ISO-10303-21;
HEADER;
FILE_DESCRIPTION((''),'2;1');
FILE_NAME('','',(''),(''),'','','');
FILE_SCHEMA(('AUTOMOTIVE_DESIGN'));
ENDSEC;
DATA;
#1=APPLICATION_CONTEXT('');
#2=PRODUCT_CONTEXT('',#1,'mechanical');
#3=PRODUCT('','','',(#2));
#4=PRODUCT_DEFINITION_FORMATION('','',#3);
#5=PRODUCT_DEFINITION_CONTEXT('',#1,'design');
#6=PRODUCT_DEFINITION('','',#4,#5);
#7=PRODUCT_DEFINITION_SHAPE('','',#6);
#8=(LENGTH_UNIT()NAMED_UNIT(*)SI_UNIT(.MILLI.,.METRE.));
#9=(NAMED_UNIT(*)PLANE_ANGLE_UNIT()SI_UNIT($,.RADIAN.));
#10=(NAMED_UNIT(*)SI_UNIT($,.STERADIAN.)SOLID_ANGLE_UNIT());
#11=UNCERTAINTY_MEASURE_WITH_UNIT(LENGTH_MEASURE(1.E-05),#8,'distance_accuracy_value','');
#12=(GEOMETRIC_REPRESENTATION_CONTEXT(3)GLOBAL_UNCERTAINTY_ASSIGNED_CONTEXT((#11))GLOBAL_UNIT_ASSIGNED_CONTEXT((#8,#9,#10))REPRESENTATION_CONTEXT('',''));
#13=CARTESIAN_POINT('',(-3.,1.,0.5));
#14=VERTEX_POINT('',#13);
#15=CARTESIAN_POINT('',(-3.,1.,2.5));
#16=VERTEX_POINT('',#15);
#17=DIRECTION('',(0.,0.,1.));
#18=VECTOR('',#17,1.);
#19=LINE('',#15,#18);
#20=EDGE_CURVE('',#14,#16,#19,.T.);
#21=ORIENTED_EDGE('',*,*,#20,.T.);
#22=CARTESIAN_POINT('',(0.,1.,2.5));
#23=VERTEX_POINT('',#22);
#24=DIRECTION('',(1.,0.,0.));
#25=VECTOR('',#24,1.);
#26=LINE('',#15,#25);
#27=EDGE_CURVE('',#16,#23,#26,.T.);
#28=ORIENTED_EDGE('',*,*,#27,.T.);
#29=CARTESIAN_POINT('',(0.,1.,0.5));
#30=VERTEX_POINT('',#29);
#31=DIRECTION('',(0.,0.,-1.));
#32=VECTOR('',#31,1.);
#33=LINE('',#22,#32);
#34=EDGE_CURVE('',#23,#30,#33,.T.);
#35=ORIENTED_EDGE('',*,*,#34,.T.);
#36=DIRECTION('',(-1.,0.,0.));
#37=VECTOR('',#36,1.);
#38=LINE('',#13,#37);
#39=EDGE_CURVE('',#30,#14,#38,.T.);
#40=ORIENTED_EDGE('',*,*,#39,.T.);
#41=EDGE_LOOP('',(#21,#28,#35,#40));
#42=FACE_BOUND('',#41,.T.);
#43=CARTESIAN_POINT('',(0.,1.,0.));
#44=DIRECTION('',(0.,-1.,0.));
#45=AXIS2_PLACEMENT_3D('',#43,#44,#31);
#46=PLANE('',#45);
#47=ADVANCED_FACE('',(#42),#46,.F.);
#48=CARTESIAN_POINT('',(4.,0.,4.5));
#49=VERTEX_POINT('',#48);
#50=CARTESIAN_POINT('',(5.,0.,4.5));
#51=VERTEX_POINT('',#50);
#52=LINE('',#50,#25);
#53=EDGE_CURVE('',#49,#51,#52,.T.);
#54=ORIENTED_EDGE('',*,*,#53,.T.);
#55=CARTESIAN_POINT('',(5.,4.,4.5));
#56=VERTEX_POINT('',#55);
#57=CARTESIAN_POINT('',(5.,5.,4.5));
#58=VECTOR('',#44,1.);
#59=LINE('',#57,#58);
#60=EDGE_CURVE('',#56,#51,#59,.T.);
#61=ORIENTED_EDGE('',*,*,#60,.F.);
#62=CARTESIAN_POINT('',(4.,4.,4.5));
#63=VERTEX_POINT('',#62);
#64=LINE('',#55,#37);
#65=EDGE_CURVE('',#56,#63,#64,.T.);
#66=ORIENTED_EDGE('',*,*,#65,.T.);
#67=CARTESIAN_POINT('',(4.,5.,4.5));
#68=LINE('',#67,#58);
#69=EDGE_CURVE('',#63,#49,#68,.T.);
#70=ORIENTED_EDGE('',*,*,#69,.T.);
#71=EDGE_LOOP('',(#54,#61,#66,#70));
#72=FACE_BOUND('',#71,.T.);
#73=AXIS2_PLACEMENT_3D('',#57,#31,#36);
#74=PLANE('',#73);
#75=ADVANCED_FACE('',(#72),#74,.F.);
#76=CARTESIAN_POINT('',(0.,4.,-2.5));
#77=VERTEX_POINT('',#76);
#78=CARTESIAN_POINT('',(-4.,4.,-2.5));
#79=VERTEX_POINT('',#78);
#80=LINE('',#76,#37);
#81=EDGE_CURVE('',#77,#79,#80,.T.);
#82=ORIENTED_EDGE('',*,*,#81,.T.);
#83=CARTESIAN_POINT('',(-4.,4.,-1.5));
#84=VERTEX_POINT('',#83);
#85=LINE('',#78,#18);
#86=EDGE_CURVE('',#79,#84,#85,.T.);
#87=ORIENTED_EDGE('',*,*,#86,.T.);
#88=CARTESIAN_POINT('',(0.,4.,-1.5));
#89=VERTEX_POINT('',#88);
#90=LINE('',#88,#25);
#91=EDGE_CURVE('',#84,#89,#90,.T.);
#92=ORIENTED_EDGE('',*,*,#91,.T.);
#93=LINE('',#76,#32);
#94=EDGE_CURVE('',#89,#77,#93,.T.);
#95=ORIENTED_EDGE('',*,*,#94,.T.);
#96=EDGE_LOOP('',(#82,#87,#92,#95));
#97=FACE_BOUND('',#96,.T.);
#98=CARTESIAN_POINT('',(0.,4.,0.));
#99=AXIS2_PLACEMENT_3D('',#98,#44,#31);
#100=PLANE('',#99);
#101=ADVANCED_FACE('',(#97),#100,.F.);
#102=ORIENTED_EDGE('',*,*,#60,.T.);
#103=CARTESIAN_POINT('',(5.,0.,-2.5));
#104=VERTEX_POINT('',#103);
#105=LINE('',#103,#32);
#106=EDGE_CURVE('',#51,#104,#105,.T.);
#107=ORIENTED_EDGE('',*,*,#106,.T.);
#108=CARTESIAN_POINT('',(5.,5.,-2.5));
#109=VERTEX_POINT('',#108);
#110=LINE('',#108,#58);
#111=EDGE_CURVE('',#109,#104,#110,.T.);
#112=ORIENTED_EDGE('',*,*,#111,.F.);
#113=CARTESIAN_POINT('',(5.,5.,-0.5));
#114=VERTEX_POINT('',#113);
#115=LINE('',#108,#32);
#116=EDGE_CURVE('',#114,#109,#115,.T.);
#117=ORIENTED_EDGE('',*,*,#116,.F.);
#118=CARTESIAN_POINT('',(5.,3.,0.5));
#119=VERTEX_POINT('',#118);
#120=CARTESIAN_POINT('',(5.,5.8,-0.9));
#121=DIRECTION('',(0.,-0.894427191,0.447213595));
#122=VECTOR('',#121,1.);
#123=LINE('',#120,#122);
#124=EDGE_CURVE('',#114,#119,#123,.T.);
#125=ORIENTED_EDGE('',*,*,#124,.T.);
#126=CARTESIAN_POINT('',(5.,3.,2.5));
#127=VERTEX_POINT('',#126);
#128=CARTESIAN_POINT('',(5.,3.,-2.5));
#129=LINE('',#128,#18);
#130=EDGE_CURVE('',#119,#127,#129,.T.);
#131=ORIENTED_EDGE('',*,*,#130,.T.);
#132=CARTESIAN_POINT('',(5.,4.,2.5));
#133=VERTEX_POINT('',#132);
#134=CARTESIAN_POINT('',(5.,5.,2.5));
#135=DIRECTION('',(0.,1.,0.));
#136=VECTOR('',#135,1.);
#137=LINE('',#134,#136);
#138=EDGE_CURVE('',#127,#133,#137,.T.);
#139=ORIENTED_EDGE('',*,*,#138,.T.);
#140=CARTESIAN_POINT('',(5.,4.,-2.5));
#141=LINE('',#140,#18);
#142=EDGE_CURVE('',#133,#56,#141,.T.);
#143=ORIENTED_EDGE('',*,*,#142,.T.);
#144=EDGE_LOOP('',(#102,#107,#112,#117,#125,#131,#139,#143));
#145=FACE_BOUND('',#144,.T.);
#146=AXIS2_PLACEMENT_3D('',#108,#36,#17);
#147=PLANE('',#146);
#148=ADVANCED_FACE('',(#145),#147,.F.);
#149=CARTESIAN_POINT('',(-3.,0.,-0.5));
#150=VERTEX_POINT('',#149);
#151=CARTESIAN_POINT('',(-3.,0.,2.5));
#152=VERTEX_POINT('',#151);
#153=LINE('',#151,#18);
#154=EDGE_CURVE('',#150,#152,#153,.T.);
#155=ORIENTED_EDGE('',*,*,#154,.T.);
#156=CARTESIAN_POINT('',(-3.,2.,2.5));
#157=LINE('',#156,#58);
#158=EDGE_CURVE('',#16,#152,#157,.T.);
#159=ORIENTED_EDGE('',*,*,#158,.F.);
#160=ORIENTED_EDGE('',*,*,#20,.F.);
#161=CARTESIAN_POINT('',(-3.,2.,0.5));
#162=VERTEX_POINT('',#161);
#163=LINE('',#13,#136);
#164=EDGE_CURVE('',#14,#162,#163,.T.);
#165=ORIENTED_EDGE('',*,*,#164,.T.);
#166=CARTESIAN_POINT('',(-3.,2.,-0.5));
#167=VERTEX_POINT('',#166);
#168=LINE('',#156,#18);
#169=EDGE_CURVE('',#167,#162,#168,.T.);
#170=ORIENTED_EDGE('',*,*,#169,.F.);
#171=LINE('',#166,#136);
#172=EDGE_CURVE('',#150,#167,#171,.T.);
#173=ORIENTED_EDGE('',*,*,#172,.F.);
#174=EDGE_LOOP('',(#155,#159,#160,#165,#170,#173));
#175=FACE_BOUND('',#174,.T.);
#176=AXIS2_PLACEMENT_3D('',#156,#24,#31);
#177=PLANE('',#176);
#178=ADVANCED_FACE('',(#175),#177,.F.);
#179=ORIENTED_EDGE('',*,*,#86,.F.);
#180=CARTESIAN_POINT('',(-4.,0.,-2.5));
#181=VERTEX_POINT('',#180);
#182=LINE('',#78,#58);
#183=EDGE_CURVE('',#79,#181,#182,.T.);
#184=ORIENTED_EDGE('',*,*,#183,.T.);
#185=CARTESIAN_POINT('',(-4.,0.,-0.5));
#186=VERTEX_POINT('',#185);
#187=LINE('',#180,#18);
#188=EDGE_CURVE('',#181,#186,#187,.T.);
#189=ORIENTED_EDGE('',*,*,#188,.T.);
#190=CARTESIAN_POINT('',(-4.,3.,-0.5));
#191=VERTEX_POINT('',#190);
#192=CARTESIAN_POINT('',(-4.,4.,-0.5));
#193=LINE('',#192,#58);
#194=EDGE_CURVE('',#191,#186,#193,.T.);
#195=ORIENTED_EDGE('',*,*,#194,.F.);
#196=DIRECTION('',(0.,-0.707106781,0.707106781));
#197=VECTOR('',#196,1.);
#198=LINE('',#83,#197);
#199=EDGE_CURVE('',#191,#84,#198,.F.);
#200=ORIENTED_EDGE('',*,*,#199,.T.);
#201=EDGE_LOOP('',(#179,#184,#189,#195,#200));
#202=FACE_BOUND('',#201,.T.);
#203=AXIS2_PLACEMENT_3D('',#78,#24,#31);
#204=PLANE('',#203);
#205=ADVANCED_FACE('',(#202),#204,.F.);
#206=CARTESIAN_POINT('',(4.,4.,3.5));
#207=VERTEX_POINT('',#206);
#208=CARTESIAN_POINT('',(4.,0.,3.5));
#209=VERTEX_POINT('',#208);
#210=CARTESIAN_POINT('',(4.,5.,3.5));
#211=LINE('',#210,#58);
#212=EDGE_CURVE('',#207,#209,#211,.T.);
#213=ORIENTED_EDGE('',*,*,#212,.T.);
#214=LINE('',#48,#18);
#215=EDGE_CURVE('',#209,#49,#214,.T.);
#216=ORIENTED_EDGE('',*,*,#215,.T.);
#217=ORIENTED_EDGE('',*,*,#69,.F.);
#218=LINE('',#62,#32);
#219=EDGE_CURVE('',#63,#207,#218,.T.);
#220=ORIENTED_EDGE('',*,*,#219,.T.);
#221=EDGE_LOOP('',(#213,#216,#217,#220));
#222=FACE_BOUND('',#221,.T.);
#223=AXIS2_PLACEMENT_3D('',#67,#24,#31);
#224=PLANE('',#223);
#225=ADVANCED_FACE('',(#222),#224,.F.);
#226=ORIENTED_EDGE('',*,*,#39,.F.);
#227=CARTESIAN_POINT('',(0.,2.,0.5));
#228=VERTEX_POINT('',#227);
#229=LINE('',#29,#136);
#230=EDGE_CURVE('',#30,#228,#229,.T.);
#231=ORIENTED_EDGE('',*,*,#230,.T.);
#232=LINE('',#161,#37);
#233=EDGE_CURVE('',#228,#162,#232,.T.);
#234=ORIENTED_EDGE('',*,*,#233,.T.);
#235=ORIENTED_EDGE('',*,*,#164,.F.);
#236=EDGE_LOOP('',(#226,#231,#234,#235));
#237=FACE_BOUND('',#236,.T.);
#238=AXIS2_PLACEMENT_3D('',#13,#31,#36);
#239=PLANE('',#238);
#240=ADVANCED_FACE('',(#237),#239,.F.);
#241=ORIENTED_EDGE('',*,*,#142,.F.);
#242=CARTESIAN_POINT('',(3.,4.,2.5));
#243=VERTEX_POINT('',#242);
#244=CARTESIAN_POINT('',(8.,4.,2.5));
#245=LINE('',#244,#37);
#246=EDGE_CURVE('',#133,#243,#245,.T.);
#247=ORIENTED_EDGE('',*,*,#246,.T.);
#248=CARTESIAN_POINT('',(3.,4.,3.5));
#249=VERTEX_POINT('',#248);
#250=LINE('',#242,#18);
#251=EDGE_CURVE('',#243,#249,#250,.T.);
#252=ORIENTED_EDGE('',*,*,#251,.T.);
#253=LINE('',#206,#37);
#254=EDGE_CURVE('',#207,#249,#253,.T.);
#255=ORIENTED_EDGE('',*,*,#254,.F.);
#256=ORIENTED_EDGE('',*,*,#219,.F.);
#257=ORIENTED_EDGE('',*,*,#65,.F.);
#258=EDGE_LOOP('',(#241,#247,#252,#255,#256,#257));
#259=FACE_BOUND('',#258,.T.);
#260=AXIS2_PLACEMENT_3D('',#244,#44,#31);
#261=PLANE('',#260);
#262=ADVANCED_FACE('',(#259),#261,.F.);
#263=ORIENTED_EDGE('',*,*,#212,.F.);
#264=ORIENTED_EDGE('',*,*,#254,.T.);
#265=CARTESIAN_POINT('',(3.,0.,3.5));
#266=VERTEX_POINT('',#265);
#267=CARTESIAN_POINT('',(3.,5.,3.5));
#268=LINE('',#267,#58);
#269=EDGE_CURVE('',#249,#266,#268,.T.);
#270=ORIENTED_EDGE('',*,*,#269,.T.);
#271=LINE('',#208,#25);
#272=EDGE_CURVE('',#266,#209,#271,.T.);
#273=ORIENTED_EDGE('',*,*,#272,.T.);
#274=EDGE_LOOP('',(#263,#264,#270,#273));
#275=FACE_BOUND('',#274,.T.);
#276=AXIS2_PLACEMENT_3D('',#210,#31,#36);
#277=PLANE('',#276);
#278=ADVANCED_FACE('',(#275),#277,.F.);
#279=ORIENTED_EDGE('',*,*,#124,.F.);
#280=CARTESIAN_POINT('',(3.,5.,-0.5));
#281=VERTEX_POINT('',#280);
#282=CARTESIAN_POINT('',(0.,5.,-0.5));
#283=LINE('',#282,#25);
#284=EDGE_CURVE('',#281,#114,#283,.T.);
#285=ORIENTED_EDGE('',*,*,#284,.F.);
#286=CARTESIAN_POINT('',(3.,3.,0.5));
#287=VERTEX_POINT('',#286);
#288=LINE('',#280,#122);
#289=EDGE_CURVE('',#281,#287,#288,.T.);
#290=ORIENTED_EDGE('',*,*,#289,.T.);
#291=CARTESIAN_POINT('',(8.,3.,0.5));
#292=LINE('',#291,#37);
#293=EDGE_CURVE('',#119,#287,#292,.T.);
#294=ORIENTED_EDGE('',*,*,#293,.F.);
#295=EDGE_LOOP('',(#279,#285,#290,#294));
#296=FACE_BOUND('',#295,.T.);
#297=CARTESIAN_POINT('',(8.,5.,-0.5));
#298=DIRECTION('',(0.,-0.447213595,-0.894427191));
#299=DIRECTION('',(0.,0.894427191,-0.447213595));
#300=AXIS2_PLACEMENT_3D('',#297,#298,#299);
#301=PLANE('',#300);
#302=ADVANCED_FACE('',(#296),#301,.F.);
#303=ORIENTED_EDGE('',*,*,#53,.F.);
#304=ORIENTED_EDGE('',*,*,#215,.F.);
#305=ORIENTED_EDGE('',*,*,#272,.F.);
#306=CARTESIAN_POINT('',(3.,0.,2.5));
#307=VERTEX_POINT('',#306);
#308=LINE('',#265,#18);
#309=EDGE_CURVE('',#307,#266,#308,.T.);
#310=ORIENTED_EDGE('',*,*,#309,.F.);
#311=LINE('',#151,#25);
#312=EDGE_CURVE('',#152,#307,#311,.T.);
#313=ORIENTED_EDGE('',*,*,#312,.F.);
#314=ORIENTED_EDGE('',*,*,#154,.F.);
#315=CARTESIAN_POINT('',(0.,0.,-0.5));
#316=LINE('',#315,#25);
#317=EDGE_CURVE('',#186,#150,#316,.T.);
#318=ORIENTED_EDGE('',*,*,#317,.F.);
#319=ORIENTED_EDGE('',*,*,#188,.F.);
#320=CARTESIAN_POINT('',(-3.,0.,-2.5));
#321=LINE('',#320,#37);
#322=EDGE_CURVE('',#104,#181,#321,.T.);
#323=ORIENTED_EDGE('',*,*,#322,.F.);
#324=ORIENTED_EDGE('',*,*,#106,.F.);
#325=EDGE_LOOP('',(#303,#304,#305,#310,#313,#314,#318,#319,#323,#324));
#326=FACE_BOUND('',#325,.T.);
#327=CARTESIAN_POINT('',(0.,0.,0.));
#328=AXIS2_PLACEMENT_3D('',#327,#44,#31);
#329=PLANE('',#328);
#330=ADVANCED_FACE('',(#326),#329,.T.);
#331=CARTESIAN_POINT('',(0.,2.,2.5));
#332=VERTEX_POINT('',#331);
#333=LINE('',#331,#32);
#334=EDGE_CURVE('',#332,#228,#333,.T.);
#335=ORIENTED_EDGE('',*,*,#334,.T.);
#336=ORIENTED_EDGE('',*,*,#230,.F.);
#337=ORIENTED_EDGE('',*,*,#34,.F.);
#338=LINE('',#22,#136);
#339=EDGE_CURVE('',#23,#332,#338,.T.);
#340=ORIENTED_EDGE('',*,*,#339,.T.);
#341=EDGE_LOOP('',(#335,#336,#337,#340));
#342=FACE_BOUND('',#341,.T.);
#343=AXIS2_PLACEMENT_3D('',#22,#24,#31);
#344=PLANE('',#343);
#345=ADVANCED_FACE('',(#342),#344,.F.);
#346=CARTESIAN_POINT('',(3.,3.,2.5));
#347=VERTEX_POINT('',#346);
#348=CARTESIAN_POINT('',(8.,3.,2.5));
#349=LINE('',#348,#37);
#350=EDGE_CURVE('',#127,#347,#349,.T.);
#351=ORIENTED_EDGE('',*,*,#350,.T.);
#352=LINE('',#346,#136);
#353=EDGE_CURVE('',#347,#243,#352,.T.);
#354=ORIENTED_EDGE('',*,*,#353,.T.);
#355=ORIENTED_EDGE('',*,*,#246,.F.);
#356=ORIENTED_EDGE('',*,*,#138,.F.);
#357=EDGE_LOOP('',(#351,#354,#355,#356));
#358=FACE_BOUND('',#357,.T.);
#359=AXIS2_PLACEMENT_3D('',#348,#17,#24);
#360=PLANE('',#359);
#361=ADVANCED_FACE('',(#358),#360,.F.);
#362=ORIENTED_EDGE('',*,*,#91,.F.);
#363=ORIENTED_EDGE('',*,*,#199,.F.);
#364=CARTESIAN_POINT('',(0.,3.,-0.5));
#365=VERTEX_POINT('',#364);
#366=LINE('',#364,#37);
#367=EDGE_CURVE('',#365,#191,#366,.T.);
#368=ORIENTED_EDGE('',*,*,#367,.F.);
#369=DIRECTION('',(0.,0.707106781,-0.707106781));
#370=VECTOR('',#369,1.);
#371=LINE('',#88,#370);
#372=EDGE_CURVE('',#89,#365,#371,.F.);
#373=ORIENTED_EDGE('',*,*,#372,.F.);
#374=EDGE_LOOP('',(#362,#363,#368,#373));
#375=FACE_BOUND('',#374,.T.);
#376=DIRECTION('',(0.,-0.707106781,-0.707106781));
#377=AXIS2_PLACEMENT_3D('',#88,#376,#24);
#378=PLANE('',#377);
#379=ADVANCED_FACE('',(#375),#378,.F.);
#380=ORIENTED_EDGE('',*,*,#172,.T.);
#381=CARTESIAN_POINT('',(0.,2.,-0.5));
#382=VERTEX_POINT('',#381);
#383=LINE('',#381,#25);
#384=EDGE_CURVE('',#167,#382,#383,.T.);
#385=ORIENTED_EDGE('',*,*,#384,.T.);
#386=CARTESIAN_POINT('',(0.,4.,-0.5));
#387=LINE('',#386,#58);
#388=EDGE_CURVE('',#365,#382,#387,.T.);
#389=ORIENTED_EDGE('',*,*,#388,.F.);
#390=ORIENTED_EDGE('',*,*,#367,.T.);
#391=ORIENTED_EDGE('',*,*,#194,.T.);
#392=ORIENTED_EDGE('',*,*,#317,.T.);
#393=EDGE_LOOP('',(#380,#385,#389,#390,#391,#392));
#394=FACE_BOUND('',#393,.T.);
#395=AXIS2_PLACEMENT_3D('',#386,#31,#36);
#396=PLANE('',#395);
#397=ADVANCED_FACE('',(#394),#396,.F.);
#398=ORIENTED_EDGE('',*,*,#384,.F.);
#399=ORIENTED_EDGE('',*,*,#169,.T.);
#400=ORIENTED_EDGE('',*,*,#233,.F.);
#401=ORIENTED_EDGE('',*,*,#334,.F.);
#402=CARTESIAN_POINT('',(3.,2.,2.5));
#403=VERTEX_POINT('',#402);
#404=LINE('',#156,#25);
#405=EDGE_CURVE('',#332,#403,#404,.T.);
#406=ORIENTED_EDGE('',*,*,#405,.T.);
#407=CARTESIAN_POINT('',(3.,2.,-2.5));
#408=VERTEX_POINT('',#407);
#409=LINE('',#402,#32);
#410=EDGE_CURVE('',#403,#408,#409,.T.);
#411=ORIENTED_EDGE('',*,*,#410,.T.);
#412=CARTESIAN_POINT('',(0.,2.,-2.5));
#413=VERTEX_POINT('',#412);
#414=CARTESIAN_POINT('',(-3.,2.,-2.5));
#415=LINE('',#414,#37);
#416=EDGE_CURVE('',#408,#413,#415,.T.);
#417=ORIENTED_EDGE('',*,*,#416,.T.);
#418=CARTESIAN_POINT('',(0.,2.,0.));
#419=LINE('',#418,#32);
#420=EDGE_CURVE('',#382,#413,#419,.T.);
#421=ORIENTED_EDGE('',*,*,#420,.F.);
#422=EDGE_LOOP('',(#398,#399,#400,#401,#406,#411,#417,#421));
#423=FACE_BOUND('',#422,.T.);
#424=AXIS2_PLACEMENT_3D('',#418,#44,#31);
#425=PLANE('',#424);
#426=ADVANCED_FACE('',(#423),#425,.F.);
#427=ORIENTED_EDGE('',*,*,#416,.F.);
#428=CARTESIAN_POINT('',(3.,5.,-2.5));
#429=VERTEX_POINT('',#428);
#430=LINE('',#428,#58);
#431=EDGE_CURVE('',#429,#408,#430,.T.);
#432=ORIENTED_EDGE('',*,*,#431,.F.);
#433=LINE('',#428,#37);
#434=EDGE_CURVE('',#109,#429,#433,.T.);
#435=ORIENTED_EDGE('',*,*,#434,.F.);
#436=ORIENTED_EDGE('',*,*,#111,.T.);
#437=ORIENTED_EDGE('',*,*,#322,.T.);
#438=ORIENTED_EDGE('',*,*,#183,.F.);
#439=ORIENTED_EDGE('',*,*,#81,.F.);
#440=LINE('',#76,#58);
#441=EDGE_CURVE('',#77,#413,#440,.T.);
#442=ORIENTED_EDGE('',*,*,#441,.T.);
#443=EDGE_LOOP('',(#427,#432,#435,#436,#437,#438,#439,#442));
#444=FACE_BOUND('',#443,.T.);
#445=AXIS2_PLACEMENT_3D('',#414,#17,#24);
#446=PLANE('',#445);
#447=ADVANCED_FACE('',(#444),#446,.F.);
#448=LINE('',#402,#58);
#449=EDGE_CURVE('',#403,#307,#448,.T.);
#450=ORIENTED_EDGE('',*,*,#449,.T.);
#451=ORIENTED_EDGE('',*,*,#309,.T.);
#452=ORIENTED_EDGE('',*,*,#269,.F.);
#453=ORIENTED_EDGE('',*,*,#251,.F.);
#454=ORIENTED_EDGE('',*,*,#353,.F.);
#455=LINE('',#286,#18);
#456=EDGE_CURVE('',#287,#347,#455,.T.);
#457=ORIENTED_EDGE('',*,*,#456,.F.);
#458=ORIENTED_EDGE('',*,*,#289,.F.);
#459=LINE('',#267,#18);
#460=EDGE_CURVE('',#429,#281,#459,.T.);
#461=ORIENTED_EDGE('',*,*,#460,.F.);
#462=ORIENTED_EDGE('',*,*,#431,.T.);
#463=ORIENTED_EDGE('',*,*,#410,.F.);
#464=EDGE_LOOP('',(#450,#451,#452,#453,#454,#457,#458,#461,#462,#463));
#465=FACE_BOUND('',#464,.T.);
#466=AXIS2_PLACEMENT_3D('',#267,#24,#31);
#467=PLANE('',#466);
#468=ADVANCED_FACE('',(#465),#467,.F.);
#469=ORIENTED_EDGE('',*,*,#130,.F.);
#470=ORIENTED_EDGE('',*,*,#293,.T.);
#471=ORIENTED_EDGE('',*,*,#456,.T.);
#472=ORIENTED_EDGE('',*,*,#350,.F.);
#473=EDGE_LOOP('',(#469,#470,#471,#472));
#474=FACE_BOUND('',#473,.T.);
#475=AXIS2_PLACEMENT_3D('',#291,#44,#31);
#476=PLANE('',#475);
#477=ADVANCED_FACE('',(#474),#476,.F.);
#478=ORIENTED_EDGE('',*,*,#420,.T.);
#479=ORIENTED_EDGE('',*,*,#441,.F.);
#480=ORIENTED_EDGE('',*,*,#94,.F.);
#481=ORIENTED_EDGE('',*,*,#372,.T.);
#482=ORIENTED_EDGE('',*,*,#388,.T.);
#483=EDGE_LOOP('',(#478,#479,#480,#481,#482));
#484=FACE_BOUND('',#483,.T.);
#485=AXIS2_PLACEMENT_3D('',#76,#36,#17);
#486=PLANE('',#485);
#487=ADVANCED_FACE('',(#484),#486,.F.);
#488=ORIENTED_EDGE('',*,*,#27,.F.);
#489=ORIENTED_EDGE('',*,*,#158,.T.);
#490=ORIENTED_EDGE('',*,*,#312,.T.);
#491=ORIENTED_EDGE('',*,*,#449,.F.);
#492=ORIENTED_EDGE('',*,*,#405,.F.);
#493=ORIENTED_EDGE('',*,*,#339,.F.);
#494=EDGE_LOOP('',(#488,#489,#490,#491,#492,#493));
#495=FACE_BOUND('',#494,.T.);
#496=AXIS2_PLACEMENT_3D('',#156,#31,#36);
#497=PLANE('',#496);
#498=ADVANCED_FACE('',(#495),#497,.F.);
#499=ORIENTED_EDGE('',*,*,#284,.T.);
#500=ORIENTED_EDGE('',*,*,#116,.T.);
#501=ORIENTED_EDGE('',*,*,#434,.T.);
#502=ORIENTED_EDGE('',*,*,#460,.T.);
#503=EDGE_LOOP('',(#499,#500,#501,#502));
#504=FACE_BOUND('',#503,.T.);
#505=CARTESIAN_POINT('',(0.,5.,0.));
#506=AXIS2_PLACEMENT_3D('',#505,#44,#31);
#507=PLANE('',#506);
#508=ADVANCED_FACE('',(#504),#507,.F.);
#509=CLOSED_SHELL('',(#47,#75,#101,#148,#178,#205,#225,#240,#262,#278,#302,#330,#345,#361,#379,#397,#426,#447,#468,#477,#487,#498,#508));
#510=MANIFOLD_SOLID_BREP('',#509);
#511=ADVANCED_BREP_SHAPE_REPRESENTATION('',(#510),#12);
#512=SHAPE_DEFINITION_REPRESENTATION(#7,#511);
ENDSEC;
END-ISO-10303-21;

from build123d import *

# Parameters (mm, degrees)
SKETCH1_W           = 6
SKETCH1_H           = 5
BOSS_EXTRUDE1_DEPTH = 2
SKETCH2_W           = 4
SKETCH2_H           = 2
BOSS_EXTRUDE2_DEPTH = 4
CHAMFER1_SIZE       = 1
BOSS_EXTRUDE3_DEPTH = 5
CUT_EXTRUDE1_DEPTH  = 5
SKETCH6_W           = 3
SKETCH6_H           = 2
CUT_EXTRUDE2_DEPTH  = 1


with BuildPart() as part:
    # Sketch1 → Boss-Extrude1 (new body)
    with BuildSketch(Plane(origin=(0, 0, 0), x_dir=(1, 0, 0), z_dir=(0, 1, 0))):
        Rectangle(SKETCH1_W, SKETCH1_H)
    extrude(amount=BOSS_EXTRUDE1_DEPTH)

    # Sketch2 → Boss-Extrude2 (add)
    with BuildSketch(Plane(origin=(0, 0, 0), x_dir=(1, 0, 0), z_dir=(0, 1, 0))):
        with Locations((-2, 1.5)):
            Rectangle(SKETCH2_W, SKETCH2_H)
    extrude(amount=BOSS_EXTRUDE2_DEPTH)

    # Chamfer1
    chamfer1_edges = [part.edges().sort_by_distance(p)[0] for p in [
        (-2, 4, -0.5),
    ]]
    chamfer(chamfer1_edges, length=CHAMFER1_SIZE)

    # Sketch3 → Boss-Extrude3 (add)
    with BuildSketch(Plane(origin=(0, 0, 0), x_dir=(1, 0, 0), z_dir=(0, 1, 0))):
        Polygon((3, 2.5), (5, 2.5), (5, -4.5), (4, -4.5), (4, -3.5), (3, -3.5), align=None)
    extrude(amount=BOSS_EXTRUDE3_DEPTH)

    # Sketch5 → Cut-Extrude1 (cut)
    with BuildSketch(Plane.ZY.offset(-3)):
        Polygon((-0.5, 5), (0.5, 3), (2.5, 3), (2.5, 4), (5.863314104, 4), (5.863314104, 5.536679496), align=None)
    extrude(amount=-CUT_EXTRUDE1_DEPTH, mode=Mode.SUBTRACT)

    # Sketch6 → Cut-Extrude2 (cut)
    with BuildSketch(Plane(origin=(0, 2, 0), x_dir=(1, 0, 0), z_dir=(0, 1, 0))):
        with Locations((-1.5, -1.5)):
            Rectangle(SKETCH6_W, SKETCH6_H)
    extrude(amount=-CUT_EXTRUDE2_DEPTH, mode=Mode.SUBTRACT)


solid = part.part
